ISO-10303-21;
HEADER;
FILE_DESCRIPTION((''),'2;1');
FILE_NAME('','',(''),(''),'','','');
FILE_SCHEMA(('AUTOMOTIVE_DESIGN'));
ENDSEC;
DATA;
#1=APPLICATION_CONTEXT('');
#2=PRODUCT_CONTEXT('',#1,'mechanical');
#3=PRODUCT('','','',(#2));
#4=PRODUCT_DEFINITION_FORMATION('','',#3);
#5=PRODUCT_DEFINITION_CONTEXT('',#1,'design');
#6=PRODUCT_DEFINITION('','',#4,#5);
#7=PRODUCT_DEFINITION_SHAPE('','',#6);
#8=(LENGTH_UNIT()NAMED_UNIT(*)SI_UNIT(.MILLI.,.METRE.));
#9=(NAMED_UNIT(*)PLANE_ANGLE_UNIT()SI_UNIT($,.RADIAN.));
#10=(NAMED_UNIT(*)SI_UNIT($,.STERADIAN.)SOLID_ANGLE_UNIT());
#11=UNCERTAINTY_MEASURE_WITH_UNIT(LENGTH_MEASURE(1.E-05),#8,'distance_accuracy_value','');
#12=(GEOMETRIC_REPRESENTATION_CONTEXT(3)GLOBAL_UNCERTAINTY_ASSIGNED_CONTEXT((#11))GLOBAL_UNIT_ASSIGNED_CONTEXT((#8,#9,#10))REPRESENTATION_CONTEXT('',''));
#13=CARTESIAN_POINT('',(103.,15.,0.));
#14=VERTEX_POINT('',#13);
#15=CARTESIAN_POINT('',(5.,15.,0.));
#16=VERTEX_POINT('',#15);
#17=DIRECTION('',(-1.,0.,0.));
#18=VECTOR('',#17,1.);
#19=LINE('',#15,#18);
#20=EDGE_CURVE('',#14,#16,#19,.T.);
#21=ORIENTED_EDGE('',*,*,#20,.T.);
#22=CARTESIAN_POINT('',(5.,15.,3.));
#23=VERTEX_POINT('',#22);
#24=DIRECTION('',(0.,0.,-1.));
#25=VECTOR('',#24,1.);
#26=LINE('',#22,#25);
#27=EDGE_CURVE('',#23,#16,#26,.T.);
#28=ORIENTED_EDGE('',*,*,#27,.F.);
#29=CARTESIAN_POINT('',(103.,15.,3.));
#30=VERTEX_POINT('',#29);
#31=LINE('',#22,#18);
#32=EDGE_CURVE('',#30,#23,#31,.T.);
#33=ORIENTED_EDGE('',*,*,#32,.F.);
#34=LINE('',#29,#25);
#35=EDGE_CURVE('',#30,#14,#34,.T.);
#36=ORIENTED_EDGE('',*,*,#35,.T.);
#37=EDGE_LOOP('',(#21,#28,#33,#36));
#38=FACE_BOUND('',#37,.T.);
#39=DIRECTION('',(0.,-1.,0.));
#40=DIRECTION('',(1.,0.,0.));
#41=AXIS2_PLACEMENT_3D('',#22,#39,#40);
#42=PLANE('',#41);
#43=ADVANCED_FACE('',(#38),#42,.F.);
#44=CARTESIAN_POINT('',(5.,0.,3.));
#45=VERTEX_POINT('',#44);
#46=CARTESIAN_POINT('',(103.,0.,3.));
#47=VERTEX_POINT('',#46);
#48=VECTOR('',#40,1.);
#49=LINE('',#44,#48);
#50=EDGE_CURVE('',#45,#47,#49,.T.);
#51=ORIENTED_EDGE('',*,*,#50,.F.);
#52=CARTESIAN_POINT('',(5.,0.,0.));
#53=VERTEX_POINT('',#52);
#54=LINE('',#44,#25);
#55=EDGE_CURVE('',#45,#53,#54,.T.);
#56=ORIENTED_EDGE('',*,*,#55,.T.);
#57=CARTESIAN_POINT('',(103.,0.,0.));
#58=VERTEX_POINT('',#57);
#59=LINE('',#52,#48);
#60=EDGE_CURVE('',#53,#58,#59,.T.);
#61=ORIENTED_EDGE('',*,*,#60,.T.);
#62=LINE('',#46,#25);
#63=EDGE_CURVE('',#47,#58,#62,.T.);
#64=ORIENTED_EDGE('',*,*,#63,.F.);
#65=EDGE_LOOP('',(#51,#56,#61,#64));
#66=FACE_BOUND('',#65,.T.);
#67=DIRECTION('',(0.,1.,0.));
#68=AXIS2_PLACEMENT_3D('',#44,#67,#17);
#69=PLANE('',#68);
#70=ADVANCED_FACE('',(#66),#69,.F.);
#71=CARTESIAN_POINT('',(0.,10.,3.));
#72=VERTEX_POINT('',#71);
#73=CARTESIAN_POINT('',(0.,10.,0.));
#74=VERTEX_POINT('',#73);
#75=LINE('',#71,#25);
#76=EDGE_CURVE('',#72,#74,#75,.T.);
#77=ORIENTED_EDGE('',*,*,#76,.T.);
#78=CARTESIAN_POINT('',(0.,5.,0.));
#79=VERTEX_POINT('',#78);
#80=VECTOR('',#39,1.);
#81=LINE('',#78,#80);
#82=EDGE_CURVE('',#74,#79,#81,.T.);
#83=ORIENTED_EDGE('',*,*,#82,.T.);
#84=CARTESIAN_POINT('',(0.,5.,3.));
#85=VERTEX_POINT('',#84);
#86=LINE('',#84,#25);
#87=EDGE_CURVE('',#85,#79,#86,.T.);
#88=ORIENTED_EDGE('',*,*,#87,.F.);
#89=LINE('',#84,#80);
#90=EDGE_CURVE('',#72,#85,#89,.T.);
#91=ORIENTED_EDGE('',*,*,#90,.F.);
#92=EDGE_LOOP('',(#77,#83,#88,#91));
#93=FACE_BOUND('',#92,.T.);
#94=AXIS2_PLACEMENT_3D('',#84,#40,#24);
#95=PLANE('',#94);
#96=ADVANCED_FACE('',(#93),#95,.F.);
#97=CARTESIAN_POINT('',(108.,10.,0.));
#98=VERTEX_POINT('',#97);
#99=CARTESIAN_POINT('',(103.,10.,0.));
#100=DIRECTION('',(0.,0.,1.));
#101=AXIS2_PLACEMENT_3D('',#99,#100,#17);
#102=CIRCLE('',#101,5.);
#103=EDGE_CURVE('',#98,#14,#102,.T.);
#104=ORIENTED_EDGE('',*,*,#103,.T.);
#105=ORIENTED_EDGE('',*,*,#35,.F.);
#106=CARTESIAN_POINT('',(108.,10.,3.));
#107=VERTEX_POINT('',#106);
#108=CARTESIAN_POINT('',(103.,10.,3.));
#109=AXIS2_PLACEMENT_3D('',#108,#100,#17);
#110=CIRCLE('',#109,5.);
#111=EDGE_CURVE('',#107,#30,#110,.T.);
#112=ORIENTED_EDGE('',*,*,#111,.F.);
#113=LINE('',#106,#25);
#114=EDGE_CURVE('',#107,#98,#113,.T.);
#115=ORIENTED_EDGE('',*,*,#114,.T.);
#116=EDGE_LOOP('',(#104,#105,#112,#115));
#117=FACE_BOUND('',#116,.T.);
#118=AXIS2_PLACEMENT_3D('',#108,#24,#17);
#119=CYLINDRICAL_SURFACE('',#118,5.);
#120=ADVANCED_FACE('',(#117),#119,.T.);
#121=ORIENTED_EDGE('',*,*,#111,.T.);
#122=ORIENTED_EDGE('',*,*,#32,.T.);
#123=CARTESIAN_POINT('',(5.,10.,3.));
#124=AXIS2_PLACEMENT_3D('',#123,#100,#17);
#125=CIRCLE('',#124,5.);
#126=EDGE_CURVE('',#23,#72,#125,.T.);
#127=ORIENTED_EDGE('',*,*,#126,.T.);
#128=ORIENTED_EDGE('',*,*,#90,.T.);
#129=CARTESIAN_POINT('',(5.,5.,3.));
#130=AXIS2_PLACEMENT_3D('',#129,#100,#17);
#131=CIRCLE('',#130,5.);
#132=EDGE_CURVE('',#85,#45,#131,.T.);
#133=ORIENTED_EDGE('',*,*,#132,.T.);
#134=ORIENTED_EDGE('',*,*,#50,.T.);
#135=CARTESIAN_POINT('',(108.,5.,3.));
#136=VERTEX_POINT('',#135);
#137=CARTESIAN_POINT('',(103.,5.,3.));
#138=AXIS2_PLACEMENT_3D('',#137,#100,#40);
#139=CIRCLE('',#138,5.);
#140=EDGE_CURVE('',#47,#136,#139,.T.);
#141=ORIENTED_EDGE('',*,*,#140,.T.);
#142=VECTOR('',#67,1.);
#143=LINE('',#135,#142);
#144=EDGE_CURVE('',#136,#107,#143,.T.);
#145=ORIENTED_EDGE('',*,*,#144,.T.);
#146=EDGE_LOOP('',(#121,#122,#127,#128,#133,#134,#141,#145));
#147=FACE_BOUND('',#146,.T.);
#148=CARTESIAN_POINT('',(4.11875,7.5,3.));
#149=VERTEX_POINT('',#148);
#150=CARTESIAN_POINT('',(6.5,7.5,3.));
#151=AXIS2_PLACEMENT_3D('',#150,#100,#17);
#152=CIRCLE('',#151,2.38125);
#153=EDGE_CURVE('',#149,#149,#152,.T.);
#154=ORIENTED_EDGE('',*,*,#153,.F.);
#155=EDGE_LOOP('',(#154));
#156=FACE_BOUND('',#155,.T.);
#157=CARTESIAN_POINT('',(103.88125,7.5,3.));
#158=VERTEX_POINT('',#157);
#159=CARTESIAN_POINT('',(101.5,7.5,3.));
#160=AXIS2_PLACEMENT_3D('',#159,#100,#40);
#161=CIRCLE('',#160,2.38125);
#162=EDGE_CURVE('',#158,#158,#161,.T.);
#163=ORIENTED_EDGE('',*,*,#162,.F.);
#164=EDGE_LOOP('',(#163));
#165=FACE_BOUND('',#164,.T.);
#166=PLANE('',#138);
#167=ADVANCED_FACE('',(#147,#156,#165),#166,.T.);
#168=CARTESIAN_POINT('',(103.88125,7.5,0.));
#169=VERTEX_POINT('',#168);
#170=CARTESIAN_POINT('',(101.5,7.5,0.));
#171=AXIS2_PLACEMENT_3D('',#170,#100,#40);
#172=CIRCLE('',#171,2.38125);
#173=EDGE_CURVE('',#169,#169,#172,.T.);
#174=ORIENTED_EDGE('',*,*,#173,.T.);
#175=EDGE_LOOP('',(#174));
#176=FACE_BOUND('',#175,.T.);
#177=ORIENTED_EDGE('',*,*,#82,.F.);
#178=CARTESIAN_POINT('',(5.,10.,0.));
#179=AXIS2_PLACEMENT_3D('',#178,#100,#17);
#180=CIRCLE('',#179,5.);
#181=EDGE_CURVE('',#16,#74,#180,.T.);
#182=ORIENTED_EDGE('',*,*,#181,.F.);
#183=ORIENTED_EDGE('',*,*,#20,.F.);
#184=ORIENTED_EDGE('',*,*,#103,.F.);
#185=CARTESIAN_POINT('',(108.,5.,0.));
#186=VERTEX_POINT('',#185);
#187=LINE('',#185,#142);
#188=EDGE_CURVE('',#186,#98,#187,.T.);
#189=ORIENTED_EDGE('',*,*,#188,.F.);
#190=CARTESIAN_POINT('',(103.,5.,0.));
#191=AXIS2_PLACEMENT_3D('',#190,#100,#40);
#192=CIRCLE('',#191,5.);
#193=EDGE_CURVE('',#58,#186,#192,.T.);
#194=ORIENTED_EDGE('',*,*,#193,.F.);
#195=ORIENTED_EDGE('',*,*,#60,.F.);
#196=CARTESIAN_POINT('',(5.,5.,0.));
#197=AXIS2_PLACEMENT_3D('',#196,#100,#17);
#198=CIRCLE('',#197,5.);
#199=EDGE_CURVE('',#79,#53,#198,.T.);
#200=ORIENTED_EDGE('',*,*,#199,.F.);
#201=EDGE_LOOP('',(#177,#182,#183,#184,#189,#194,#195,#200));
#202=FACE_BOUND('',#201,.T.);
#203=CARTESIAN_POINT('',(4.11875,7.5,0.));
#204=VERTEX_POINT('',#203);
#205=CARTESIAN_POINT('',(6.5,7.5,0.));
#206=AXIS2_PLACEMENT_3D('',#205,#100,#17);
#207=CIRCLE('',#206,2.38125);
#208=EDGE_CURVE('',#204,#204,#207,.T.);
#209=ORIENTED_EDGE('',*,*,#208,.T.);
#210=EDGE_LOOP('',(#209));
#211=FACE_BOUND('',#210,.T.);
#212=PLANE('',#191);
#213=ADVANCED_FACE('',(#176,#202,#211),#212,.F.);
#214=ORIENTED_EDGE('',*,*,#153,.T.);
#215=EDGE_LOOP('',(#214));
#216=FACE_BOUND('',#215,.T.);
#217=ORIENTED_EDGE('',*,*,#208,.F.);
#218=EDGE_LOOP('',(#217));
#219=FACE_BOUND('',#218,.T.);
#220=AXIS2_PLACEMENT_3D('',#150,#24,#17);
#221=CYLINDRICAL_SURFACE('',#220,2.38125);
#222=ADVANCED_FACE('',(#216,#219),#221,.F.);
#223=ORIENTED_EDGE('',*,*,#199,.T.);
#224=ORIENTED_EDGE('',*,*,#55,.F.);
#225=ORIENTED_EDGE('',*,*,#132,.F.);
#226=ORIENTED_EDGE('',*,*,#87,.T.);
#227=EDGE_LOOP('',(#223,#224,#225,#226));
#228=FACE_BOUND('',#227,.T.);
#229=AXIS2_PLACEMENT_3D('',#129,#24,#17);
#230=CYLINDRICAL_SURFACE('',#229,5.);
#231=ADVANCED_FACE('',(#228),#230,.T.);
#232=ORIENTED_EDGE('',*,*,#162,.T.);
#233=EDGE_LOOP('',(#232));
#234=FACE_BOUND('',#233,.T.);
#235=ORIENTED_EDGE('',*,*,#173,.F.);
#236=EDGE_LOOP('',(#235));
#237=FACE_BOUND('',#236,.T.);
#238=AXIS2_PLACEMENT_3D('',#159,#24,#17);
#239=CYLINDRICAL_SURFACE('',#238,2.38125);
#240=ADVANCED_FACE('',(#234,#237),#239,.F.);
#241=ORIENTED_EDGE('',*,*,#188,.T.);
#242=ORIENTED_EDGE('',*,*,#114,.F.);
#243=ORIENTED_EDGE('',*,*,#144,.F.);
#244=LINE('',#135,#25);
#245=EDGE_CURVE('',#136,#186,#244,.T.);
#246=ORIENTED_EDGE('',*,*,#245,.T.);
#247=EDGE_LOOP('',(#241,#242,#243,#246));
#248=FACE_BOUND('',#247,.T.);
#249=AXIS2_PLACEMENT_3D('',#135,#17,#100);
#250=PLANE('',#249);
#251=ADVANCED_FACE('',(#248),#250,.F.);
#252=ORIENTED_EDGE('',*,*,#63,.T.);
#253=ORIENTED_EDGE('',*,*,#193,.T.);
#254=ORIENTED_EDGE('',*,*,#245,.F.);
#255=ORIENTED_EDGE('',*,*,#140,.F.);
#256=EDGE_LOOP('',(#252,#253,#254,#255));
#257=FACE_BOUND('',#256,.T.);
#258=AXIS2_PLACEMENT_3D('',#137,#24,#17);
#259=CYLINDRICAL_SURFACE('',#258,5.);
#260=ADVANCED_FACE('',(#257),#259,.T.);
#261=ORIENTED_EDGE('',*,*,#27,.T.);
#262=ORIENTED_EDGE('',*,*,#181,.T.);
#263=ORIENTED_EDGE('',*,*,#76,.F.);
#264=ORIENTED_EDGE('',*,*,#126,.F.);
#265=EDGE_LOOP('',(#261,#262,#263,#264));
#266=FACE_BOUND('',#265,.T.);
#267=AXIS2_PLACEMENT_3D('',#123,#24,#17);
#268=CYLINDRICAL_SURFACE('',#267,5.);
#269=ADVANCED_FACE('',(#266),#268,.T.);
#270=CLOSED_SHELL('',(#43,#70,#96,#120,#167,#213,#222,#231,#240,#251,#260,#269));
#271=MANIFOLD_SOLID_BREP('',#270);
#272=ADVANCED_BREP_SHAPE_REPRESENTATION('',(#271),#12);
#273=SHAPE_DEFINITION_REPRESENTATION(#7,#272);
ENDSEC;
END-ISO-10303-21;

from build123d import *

# Parameters (mm, degrees)
CROQUIS1_R              = 2.38125
SALIENTE_EXTRUIR1_DEPTH = 3


with BuildPart() as part:
    # Croquis1 → Saliente-Extruir1 (new body)
    with BuildSketch(Plane.XY):
        with BuildLine():
            Line((5, 0), (103, 0))
            ThreePointArc((103, 0), (106.535533906, 1.464466094), (108, 5))
            Line((108, 5), (108, 10))
            ThreePointArc((108, 10), (106.535533906, 13.535533906), (103, 15))
            Line((103, 15), (5, 15))
            ThreePointArc((5, 15), (1.464466094, 13.535533906), (0, 10))
            Line((0, 10), (0, 5))
            ThreePointArc((0, 5), (1.464466094, 1.464466094), (5, 0))
        make_face()
        with Locations((101.5, 7.5)):
            Circle(CROQUIS1_R, mode=Mode.SUBTRACT)
        with Locations((6.5, 7.5)):
            Circle(CROQUIS1_R, mode=Mode.SUBTRACT)
    extrude(amount=SALIENTE_EXTRUIR1_DEPTH)


solid = part.part
